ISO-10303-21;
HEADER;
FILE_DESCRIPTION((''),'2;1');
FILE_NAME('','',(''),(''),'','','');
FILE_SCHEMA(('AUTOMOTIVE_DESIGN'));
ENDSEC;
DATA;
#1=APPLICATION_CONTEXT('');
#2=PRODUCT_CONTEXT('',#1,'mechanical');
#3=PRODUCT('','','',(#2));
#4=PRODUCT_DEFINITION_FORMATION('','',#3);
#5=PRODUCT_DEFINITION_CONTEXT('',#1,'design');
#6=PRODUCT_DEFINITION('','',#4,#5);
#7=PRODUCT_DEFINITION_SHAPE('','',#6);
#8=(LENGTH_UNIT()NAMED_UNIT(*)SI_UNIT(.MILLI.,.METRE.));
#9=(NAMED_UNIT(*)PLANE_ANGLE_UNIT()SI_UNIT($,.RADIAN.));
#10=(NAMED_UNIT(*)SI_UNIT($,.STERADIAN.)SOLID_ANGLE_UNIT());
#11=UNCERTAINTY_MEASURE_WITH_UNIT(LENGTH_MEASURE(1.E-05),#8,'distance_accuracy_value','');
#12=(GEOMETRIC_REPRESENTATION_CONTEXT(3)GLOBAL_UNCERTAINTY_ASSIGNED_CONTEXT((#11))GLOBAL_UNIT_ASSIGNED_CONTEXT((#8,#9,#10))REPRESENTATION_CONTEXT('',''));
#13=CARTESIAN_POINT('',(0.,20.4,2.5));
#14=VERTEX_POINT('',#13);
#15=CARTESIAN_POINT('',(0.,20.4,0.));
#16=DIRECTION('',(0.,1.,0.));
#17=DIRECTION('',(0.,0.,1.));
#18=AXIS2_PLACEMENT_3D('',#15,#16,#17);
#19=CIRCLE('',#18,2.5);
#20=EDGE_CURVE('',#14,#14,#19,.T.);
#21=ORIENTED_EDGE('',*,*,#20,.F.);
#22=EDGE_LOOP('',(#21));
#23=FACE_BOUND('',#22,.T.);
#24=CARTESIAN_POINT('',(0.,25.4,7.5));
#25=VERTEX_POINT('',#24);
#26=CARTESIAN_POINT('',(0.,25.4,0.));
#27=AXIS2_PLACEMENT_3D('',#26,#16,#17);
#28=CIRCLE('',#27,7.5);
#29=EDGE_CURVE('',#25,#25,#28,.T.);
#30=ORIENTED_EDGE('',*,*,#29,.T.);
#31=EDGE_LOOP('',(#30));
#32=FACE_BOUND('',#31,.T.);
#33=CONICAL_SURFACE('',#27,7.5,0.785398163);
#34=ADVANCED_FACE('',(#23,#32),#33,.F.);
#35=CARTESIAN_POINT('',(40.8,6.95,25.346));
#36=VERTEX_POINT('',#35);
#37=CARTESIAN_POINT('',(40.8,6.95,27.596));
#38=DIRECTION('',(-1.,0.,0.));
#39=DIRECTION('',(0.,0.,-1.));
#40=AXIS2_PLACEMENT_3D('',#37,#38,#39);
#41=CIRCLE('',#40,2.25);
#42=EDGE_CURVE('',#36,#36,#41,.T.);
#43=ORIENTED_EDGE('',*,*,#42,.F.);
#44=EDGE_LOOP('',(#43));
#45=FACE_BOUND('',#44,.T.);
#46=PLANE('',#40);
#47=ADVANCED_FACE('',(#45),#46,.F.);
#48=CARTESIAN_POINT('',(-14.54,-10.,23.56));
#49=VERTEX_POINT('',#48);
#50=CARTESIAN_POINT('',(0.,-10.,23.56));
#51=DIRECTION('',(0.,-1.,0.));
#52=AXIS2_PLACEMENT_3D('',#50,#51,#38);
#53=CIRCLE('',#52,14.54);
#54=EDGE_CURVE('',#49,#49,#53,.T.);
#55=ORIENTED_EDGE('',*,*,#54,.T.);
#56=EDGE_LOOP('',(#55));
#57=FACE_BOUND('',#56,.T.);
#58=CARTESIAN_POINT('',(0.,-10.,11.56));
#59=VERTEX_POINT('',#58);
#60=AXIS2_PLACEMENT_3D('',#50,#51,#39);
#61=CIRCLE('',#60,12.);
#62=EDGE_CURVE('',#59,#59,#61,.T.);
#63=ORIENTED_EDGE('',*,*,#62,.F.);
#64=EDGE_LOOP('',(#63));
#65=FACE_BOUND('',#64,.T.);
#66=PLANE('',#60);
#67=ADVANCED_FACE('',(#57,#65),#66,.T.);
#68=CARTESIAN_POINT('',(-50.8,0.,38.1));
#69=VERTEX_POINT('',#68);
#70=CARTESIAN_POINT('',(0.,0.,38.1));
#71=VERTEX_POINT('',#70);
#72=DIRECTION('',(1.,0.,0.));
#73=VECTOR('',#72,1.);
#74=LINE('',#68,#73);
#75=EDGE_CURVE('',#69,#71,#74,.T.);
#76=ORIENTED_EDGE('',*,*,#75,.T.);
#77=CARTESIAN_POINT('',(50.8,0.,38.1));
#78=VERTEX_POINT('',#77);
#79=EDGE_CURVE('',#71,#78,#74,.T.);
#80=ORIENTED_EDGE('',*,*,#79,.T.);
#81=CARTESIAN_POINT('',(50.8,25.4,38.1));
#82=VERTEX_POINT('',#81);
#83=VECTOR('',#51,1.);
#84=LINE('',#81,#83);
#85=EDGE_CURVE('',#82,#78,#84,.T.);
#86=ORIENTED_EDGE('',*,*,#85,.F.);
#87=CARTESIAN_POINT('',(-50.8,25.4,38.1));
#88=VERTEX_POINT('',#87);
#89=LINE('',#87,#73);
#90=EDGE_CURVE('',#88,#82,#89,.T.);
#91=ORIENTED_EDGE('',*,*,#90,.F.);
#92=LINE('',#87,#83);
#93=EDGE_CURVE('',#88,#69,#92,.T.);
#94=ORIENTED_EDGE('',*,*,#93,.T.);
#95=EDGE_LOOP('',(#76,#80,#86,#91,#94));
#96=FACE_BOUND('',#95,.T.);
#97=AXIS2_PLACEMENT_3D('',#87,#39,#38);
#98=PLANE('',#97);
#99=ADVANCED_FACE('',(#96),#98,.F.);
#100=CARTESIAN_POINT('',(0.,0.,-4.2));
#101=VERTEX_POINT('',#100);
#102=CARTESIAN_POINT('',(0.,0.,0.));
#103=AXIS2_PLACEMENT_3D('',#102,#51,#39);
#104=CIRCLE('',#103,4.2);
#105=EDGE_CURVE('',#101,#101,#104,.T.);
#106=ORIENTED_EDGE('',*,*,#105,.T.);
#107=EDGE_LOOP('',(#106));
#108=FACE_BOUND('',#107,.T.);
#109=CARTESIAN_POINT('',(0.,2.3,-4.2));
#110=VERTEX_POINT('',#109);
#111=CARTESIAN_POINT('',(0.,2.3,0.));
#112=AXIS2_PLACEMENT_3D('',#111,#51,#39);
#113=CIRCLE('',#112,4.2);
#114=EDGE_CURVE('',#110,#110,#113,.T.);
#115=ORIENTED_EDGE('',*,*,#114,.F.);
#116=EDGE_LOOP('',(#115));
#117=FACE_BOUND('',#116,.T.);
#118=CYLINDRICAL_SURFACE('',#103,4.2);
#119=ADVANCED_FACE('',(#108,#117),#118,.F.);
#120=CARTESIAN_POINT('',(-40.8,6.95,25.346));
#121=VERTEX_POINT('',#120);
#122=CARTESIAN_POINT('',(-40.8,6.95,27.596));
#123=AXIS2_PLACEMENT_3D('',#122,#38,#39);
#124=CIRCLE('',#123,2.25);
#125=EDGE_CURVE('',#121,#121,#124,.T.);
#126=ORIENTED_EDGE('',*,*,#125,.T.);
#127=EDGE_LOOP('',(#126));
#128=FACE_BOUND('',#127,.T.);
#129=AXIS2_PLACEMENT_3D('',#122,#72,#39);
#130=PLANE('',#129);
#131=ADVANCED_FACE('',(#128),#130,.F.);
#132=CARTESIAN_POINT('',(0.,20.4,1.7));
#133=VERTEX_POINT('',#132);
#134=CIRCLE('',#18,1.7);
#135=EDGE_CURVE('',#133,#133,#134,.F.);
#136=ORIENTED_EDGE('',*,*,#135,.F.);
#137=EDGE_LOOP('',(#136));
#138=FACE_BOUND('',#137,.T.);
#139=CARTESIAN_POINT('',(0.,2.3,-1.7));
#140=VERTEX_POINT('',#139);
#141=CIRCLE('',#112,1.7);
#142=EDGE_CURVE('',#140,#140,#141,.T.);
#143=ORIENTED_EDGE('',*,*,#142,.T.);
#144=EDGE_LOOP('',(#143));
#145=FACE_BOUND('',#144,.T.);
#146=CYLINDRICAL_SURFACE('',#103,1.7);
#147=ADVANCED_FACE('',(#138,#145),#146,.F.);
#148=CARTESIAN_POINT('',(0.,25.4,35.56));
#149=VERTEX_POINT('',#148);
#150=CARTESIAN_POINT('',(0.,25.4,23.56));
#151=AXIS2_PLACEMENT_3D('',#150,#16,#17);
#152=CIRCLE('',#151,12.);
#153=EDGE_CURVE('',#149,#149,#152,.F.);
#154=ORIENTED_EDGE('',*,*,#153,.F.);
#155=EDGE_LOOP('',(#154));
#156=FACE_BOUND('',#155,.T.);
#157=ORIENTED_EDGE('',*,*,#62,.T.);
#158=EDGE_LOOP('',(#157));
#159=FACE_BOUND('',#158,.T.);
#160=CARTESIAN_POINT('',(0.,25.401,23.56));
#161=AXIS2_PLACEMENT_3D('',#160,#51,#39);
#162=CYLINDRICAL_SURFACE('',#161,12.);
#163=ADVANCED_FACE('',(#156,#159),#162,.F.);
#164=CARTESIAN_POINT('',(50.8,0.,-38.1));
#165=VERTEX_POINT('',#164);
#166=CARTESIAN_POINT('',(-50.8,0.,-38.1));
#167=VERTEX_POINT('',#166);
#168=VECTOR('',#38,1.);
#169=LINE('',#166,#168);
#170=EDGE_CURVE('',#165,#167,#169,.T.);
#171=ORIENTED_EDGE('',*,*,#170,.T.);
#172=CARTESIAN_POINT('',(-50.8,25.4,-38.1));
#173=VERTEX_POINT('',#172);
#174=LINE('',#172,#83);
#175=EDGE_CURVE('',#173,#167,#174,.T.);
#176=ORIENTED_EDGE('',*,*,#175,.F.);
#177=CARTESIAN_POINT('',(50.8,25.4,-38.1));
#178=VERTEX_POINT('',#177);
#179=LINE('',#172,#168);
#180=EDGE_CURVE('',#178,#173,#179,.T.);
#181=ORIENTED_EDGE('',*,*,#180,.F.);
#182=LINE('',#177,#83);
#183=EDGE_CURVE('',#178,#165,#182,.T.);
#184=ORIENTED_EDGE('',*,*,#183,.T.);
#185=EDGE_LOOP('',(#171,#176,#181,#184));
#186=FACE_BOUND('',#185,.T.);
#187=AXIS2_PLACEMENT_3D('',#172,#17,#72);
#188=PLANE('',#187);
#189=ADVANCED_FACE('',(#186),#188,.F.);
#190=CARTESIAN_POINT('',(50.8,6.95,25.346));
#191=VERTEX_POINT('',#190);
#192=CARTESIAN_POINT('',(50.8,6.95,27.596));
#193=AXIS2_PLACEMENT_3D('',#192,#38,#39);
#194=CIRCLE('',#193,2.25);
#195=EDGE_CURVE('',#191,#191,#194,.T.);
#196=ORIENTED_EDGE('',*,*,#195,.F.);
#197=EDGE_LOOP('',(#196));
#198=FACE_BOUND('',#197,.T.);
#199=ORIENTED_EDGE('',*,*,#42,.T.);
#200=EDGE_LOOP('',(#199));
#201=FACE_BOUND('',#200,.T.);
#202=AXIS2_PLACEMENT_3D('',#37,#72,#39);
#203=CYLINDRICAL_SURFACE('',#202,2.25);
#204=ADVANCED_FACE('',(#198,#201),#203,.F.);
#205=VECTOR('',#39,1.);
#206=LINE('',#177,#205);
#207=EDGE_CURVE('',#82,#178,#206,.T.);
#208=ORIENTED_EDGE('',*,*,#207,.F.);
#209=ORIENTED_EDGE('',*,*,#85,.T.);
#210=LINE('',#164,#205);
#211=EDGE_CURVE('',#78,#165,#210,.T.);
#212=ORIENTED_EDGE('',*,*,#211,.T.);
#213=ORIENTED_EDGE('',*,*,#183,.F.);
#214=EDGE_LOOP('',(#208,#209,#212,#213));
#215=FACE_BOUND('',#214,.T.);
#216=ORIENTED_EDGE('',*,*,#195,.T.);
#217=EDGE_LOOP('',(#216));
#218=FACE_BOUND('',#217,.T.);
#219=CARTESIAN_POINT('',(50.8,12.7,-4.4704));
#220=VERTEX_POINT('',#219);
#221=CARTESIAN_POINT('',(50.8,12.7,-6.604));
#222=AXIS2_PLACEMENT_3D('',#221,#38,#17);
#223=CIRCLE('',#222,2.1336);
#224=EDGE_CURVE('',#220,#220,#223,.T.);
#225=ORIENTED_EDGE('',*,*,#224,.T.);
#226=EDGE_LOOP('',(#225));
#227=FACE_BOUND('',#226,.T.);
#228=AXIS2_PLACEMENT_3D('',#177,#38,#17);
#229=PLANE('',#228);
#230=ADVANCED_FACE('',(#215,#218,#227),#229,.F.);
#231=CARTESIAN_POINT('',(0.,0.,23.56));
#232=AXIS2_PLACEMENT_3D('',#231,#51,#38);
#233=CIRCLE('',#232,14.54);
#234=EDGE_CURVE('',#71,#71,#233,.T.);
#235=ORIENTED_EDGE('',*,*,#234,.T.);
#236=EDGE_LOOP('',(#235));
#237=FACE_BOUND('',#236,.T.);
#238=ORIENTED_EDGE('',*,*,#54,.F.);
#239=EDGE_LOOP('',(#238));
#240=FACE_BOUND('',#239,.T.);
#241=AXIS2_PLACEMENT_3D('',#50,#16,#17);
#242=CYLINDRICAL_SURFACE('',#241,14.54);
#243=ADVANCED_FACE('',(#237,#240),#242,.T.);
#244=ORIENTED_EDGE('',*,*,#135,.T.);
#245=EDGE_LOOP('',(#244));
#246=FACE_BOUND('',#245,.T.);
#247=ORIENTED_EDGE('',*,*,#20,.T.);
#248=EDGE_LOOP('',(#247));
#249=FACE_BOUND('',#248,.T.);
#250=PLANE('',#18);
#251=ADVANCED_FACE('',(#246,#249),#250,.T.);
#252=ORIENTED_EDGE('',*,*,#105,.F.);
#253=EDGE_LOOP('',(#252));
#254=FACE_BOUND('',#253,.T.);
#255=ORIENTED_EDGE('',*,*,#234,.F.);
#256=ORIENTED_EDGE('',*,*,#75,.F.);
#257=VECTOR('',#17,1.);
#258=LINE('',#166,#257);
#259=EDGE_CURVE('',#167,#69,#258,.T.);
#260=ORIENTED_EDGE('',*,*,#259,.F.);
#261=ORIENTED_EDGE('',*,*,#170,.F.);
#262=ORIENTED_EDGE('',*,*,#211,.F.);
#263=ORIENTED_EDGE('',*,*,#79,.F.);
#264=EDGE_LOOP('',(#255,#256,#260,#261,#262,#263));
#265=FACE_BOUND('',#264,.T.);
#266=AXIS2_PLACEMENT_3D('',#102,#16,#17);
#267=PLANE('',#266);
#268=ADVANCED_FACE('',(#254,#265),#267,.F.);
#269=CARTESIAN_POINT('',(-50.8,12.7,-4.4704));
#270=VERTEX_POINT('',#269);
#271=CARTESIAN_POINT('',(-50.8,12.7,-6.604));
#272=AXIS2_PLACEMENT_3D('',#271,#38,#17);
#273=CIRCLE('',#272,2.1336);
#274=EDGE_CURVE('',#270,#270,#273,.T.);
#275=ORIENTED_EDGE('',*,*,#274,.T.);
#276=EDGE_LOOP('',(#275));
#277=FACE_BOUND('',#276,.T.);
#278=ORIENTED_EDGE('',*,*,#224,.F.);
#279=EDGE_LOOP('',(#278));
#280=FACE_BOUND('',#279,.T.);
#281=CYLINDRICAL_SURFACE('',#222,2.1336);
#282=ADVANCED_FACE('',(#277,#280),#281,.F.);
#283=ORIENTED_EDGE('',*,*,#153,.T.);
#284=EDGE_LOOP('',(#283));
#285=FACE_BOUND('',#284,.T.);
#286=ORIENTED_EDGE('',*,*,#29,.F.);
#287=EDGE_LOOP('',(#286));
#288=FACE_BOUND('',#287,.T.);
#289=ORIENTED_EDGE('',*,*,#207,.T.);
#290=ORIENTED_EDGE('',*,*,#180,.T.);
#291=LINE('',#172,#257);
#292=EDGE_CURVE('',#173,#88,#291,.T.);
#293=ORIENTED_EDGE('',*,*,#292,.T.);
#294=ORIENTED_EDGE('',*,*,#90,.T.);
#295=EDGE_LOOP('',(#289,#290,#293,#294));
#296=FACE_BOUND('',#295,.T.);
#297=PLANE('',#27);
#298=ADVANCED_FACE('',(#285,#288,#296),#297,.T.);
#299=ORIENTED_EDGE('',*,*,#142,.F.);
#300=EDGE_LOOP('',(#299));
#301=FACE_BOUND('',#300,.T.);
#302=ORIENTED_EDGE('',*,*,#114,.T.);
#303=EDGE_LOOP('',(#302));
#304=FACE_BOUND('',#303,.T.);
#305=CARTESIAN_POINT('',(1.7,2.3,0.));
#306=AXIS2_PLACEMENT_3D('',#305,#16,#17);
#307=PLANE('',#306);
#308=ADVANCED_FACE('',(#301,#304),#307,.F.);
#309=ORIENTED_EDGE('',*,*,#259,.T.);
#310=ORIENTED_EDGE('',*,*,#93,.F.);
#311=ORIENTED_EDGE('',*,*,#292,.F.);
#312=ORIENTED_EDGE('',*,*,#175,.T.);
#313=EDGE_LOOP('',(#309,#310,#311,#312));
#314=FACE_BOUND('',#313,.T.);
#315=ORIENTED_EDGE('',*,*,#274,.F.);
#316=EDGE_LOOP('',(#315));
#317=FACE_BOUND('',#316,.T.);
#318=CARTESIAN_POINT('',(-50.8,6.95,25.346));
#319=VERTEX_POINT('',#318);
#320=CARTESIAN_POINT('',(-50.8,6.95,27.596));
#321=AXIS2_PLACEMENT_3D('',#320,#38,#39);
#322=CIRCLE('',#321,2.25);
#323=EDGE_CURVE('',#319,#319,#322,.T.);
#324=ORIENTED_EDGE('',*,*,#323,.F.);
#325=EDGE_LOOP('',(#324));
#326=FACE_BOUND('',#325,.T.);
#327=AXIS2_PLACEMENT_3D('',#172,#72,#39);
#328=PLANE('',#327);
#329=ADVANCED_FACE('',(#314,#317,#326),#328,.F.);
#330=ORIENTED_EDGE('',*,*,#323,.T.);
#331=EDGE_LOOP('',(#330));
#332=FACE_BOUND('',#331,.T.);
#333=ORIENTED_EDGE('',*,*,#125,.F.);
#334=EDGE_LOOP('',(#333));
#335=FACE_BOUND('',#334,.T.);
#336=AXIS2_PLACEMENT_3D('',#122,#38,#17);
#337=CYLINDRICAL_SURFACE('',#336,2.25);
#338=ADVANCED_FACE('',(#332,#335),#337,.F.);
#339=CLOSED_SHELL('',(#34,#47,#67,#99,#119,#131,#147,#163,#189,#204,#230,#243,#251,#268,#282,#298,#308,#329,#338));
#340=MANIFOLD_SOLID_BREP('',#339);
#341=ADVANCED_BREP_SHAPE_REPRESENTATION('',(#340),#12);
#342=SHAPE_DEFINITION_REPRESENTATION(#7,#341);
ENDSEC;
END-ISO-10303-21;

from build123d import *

# Parameters (mm, degrees)
SKETCH1_W                                        = 101.6
SKETCH1_H                                        = 76.2
BOSS_EXTRUDE1_DEPTH                              = 25.4
CBORE_FOR_M3_HEX_HEAD_MACHINE_SCREW1_D           = 3.4
CBORE_FOR_M3_HEX_HEAD_MACHINE_SCREW1_DEPTH       = 25.4
CBORE_FOR_M3_HEX_HEAD_MACHINE_SCREW1_CBORE_D     = 8.4
CBORE_FOR_M3_HEX_HEAD_MACHINE_SCREW1_CBORE_DEPTH = 2.3
SKETCH9_R                                        = 7.5
CUT_EXTRUDE1_DEPTH                               = 5
CUT_EXTRUDE1_TAPER                               = 45
SKETCH12_R                                       = 5
CUT_EXTRUDE3_DEPTH                               = 10
SKETCH13_R                                       = 2.1336
CUT_EXTRUDE4_DEPTH                               = 102.6
CUT_EXTRUDE5_REACH                               = 27.4
SKETCH14_R                                       = 12
SKETCH14_2_R                                     = 14.54
SKETCH14_2_R_2                                   = 12
EXTRUDE_THIN1_DEPTH                              = 10
SKETCH15_R                                       = 2.25
CUT_EXTRUDE6_DEPTH                               = 10


with BuildPart() as part:
    # Sketch1 → Boss-Extrude1 (new body)
    with BuildSketch(Plane(origin=(0, 0, 0), x_dir=(1, 0, 0), z_dir=(0, 1, 0))):
        Rectangle(SKETCH1_W, SKETCH1_H)
    extrude(amount=BOSS_EXTRUDE1_DEPTH)

    # CBORE for M3 Hex Head Machine Screw1
    with Locations(Plane(origin=(0, 0, 0), x_dir=(-1, 0, 0), z_dir=(0, -1, 0))):
        with Locations((0, 0)):
            CounterBoreHole(CBORE_FOR_M3_HEX_HEAD_MACHINE_SCREW1_D / 2, CBORE_FOR_M3_HEX_HEAD_MACHINE_SCREW1_CBORE_D / 2, CBORE_FOR_M3_HEX_HEAD_MACHINE_SCREW1_CBORE_DEPTH, depth=CBORE_FOR_M3_HEX_HEAD_MACHINE_SCREW1_DEPTH)

    # Sketch9 → Cut-Extrude1 (cut)
    with BuildSketch(Plane(origin=(0, 25.4, 0), x_dir=(1, 0, 0), z_dir=(0, 1, 0))):
        Circle(SKETCH9_R)
    extrude(amount=-CUT_EXTRUDE1_DEPTH, taper=CUT_EXTRUDE1_TAPER, mode=Mode.SUBTRACT)

    # Sketch12 → Cut-Extrude3 (cut)
    with BuildSketch(Plane(origin=(0, 25.4, 0), x_dir=(1, 0, 0), z_dir=(0, 1, 0))):
        with Locations((0, -20)):
            Circle(SKETCH12_R)
    extrude(amount=-CUT_EXTRUDE3_DEPTH, mode=Mode.SUBTRACT)

    # Sketch13 → Cut-Extrude4 (cut, through all)
    with BuildSketch(Plane.ZY.offset(50.8)):
        with Locations((-6.604, 12.7)):
            Circle(SKETCH13_R)
    extrude(amount=-CUT_EXTRUDE4_DEPTH, mode=Mode.SUBTRACT)

    # Sketch14 → Cut-Extrude5 (cut, up to next)
    with BuildSketch(Plane(origin=(0, 0, 0), x_dir=(-1, 0, 0), z_dir=(0, -1, 0)), mode=Mode.PRIVATE) as cut_extrude5_sk1:
        with Locations((0, -23.56)):
            Circle(SKETCH14_R)
    cut_extrude5_tool1 = extrude(cut_extrude5_sk1.sketch, amount=-CUT_EXTRUDE5_REACH, mode=Mode.PRIVATE) & part.part
    add(cut_extrude5_tool1.solids().sort_by_distance((0, 0, 23.56))[0], mode=Mode.SUBTRACT)

    # Sketch14<2> → Extrude-Thin1 (add)
    with BuildSketch(Plane(origin=(0, 0, 0), x_dir=(-1, 0, 0), z_dir=(0, -1, 0))):
        with Locations((0, -23.56)):
            Circle(SKETCH14_2_R)
        with Locations((0, -23.56)):
            Circle(SKETCH14_2_R_2, mode=Mode.SUBTRACT)
    extrude(amount=EXTRUDE_THIN1_DEPTH)

    # Sketch15 → Cut-Extrude6 (cut)
    with BuildSketch(Plane.ZY.offset(50.8)):
        with Locations((27.596, 6.95)):
            Circle(SKETCH15_R)
    cut_extrude6 = extrude(amount=-CUT_EXTRUDE6_DEPTH, mode=Mode.SUBTRACT)

    # Mirror1: Cut-Extrude6 across plane
    add(cut_extrude6.mirror(Plane(origin=(0, 0, 0), x_dir=(0, 0, 1), z_dir=(1, 0, 0))), mode=Mode.SUBTRACT)


solid = part.part
